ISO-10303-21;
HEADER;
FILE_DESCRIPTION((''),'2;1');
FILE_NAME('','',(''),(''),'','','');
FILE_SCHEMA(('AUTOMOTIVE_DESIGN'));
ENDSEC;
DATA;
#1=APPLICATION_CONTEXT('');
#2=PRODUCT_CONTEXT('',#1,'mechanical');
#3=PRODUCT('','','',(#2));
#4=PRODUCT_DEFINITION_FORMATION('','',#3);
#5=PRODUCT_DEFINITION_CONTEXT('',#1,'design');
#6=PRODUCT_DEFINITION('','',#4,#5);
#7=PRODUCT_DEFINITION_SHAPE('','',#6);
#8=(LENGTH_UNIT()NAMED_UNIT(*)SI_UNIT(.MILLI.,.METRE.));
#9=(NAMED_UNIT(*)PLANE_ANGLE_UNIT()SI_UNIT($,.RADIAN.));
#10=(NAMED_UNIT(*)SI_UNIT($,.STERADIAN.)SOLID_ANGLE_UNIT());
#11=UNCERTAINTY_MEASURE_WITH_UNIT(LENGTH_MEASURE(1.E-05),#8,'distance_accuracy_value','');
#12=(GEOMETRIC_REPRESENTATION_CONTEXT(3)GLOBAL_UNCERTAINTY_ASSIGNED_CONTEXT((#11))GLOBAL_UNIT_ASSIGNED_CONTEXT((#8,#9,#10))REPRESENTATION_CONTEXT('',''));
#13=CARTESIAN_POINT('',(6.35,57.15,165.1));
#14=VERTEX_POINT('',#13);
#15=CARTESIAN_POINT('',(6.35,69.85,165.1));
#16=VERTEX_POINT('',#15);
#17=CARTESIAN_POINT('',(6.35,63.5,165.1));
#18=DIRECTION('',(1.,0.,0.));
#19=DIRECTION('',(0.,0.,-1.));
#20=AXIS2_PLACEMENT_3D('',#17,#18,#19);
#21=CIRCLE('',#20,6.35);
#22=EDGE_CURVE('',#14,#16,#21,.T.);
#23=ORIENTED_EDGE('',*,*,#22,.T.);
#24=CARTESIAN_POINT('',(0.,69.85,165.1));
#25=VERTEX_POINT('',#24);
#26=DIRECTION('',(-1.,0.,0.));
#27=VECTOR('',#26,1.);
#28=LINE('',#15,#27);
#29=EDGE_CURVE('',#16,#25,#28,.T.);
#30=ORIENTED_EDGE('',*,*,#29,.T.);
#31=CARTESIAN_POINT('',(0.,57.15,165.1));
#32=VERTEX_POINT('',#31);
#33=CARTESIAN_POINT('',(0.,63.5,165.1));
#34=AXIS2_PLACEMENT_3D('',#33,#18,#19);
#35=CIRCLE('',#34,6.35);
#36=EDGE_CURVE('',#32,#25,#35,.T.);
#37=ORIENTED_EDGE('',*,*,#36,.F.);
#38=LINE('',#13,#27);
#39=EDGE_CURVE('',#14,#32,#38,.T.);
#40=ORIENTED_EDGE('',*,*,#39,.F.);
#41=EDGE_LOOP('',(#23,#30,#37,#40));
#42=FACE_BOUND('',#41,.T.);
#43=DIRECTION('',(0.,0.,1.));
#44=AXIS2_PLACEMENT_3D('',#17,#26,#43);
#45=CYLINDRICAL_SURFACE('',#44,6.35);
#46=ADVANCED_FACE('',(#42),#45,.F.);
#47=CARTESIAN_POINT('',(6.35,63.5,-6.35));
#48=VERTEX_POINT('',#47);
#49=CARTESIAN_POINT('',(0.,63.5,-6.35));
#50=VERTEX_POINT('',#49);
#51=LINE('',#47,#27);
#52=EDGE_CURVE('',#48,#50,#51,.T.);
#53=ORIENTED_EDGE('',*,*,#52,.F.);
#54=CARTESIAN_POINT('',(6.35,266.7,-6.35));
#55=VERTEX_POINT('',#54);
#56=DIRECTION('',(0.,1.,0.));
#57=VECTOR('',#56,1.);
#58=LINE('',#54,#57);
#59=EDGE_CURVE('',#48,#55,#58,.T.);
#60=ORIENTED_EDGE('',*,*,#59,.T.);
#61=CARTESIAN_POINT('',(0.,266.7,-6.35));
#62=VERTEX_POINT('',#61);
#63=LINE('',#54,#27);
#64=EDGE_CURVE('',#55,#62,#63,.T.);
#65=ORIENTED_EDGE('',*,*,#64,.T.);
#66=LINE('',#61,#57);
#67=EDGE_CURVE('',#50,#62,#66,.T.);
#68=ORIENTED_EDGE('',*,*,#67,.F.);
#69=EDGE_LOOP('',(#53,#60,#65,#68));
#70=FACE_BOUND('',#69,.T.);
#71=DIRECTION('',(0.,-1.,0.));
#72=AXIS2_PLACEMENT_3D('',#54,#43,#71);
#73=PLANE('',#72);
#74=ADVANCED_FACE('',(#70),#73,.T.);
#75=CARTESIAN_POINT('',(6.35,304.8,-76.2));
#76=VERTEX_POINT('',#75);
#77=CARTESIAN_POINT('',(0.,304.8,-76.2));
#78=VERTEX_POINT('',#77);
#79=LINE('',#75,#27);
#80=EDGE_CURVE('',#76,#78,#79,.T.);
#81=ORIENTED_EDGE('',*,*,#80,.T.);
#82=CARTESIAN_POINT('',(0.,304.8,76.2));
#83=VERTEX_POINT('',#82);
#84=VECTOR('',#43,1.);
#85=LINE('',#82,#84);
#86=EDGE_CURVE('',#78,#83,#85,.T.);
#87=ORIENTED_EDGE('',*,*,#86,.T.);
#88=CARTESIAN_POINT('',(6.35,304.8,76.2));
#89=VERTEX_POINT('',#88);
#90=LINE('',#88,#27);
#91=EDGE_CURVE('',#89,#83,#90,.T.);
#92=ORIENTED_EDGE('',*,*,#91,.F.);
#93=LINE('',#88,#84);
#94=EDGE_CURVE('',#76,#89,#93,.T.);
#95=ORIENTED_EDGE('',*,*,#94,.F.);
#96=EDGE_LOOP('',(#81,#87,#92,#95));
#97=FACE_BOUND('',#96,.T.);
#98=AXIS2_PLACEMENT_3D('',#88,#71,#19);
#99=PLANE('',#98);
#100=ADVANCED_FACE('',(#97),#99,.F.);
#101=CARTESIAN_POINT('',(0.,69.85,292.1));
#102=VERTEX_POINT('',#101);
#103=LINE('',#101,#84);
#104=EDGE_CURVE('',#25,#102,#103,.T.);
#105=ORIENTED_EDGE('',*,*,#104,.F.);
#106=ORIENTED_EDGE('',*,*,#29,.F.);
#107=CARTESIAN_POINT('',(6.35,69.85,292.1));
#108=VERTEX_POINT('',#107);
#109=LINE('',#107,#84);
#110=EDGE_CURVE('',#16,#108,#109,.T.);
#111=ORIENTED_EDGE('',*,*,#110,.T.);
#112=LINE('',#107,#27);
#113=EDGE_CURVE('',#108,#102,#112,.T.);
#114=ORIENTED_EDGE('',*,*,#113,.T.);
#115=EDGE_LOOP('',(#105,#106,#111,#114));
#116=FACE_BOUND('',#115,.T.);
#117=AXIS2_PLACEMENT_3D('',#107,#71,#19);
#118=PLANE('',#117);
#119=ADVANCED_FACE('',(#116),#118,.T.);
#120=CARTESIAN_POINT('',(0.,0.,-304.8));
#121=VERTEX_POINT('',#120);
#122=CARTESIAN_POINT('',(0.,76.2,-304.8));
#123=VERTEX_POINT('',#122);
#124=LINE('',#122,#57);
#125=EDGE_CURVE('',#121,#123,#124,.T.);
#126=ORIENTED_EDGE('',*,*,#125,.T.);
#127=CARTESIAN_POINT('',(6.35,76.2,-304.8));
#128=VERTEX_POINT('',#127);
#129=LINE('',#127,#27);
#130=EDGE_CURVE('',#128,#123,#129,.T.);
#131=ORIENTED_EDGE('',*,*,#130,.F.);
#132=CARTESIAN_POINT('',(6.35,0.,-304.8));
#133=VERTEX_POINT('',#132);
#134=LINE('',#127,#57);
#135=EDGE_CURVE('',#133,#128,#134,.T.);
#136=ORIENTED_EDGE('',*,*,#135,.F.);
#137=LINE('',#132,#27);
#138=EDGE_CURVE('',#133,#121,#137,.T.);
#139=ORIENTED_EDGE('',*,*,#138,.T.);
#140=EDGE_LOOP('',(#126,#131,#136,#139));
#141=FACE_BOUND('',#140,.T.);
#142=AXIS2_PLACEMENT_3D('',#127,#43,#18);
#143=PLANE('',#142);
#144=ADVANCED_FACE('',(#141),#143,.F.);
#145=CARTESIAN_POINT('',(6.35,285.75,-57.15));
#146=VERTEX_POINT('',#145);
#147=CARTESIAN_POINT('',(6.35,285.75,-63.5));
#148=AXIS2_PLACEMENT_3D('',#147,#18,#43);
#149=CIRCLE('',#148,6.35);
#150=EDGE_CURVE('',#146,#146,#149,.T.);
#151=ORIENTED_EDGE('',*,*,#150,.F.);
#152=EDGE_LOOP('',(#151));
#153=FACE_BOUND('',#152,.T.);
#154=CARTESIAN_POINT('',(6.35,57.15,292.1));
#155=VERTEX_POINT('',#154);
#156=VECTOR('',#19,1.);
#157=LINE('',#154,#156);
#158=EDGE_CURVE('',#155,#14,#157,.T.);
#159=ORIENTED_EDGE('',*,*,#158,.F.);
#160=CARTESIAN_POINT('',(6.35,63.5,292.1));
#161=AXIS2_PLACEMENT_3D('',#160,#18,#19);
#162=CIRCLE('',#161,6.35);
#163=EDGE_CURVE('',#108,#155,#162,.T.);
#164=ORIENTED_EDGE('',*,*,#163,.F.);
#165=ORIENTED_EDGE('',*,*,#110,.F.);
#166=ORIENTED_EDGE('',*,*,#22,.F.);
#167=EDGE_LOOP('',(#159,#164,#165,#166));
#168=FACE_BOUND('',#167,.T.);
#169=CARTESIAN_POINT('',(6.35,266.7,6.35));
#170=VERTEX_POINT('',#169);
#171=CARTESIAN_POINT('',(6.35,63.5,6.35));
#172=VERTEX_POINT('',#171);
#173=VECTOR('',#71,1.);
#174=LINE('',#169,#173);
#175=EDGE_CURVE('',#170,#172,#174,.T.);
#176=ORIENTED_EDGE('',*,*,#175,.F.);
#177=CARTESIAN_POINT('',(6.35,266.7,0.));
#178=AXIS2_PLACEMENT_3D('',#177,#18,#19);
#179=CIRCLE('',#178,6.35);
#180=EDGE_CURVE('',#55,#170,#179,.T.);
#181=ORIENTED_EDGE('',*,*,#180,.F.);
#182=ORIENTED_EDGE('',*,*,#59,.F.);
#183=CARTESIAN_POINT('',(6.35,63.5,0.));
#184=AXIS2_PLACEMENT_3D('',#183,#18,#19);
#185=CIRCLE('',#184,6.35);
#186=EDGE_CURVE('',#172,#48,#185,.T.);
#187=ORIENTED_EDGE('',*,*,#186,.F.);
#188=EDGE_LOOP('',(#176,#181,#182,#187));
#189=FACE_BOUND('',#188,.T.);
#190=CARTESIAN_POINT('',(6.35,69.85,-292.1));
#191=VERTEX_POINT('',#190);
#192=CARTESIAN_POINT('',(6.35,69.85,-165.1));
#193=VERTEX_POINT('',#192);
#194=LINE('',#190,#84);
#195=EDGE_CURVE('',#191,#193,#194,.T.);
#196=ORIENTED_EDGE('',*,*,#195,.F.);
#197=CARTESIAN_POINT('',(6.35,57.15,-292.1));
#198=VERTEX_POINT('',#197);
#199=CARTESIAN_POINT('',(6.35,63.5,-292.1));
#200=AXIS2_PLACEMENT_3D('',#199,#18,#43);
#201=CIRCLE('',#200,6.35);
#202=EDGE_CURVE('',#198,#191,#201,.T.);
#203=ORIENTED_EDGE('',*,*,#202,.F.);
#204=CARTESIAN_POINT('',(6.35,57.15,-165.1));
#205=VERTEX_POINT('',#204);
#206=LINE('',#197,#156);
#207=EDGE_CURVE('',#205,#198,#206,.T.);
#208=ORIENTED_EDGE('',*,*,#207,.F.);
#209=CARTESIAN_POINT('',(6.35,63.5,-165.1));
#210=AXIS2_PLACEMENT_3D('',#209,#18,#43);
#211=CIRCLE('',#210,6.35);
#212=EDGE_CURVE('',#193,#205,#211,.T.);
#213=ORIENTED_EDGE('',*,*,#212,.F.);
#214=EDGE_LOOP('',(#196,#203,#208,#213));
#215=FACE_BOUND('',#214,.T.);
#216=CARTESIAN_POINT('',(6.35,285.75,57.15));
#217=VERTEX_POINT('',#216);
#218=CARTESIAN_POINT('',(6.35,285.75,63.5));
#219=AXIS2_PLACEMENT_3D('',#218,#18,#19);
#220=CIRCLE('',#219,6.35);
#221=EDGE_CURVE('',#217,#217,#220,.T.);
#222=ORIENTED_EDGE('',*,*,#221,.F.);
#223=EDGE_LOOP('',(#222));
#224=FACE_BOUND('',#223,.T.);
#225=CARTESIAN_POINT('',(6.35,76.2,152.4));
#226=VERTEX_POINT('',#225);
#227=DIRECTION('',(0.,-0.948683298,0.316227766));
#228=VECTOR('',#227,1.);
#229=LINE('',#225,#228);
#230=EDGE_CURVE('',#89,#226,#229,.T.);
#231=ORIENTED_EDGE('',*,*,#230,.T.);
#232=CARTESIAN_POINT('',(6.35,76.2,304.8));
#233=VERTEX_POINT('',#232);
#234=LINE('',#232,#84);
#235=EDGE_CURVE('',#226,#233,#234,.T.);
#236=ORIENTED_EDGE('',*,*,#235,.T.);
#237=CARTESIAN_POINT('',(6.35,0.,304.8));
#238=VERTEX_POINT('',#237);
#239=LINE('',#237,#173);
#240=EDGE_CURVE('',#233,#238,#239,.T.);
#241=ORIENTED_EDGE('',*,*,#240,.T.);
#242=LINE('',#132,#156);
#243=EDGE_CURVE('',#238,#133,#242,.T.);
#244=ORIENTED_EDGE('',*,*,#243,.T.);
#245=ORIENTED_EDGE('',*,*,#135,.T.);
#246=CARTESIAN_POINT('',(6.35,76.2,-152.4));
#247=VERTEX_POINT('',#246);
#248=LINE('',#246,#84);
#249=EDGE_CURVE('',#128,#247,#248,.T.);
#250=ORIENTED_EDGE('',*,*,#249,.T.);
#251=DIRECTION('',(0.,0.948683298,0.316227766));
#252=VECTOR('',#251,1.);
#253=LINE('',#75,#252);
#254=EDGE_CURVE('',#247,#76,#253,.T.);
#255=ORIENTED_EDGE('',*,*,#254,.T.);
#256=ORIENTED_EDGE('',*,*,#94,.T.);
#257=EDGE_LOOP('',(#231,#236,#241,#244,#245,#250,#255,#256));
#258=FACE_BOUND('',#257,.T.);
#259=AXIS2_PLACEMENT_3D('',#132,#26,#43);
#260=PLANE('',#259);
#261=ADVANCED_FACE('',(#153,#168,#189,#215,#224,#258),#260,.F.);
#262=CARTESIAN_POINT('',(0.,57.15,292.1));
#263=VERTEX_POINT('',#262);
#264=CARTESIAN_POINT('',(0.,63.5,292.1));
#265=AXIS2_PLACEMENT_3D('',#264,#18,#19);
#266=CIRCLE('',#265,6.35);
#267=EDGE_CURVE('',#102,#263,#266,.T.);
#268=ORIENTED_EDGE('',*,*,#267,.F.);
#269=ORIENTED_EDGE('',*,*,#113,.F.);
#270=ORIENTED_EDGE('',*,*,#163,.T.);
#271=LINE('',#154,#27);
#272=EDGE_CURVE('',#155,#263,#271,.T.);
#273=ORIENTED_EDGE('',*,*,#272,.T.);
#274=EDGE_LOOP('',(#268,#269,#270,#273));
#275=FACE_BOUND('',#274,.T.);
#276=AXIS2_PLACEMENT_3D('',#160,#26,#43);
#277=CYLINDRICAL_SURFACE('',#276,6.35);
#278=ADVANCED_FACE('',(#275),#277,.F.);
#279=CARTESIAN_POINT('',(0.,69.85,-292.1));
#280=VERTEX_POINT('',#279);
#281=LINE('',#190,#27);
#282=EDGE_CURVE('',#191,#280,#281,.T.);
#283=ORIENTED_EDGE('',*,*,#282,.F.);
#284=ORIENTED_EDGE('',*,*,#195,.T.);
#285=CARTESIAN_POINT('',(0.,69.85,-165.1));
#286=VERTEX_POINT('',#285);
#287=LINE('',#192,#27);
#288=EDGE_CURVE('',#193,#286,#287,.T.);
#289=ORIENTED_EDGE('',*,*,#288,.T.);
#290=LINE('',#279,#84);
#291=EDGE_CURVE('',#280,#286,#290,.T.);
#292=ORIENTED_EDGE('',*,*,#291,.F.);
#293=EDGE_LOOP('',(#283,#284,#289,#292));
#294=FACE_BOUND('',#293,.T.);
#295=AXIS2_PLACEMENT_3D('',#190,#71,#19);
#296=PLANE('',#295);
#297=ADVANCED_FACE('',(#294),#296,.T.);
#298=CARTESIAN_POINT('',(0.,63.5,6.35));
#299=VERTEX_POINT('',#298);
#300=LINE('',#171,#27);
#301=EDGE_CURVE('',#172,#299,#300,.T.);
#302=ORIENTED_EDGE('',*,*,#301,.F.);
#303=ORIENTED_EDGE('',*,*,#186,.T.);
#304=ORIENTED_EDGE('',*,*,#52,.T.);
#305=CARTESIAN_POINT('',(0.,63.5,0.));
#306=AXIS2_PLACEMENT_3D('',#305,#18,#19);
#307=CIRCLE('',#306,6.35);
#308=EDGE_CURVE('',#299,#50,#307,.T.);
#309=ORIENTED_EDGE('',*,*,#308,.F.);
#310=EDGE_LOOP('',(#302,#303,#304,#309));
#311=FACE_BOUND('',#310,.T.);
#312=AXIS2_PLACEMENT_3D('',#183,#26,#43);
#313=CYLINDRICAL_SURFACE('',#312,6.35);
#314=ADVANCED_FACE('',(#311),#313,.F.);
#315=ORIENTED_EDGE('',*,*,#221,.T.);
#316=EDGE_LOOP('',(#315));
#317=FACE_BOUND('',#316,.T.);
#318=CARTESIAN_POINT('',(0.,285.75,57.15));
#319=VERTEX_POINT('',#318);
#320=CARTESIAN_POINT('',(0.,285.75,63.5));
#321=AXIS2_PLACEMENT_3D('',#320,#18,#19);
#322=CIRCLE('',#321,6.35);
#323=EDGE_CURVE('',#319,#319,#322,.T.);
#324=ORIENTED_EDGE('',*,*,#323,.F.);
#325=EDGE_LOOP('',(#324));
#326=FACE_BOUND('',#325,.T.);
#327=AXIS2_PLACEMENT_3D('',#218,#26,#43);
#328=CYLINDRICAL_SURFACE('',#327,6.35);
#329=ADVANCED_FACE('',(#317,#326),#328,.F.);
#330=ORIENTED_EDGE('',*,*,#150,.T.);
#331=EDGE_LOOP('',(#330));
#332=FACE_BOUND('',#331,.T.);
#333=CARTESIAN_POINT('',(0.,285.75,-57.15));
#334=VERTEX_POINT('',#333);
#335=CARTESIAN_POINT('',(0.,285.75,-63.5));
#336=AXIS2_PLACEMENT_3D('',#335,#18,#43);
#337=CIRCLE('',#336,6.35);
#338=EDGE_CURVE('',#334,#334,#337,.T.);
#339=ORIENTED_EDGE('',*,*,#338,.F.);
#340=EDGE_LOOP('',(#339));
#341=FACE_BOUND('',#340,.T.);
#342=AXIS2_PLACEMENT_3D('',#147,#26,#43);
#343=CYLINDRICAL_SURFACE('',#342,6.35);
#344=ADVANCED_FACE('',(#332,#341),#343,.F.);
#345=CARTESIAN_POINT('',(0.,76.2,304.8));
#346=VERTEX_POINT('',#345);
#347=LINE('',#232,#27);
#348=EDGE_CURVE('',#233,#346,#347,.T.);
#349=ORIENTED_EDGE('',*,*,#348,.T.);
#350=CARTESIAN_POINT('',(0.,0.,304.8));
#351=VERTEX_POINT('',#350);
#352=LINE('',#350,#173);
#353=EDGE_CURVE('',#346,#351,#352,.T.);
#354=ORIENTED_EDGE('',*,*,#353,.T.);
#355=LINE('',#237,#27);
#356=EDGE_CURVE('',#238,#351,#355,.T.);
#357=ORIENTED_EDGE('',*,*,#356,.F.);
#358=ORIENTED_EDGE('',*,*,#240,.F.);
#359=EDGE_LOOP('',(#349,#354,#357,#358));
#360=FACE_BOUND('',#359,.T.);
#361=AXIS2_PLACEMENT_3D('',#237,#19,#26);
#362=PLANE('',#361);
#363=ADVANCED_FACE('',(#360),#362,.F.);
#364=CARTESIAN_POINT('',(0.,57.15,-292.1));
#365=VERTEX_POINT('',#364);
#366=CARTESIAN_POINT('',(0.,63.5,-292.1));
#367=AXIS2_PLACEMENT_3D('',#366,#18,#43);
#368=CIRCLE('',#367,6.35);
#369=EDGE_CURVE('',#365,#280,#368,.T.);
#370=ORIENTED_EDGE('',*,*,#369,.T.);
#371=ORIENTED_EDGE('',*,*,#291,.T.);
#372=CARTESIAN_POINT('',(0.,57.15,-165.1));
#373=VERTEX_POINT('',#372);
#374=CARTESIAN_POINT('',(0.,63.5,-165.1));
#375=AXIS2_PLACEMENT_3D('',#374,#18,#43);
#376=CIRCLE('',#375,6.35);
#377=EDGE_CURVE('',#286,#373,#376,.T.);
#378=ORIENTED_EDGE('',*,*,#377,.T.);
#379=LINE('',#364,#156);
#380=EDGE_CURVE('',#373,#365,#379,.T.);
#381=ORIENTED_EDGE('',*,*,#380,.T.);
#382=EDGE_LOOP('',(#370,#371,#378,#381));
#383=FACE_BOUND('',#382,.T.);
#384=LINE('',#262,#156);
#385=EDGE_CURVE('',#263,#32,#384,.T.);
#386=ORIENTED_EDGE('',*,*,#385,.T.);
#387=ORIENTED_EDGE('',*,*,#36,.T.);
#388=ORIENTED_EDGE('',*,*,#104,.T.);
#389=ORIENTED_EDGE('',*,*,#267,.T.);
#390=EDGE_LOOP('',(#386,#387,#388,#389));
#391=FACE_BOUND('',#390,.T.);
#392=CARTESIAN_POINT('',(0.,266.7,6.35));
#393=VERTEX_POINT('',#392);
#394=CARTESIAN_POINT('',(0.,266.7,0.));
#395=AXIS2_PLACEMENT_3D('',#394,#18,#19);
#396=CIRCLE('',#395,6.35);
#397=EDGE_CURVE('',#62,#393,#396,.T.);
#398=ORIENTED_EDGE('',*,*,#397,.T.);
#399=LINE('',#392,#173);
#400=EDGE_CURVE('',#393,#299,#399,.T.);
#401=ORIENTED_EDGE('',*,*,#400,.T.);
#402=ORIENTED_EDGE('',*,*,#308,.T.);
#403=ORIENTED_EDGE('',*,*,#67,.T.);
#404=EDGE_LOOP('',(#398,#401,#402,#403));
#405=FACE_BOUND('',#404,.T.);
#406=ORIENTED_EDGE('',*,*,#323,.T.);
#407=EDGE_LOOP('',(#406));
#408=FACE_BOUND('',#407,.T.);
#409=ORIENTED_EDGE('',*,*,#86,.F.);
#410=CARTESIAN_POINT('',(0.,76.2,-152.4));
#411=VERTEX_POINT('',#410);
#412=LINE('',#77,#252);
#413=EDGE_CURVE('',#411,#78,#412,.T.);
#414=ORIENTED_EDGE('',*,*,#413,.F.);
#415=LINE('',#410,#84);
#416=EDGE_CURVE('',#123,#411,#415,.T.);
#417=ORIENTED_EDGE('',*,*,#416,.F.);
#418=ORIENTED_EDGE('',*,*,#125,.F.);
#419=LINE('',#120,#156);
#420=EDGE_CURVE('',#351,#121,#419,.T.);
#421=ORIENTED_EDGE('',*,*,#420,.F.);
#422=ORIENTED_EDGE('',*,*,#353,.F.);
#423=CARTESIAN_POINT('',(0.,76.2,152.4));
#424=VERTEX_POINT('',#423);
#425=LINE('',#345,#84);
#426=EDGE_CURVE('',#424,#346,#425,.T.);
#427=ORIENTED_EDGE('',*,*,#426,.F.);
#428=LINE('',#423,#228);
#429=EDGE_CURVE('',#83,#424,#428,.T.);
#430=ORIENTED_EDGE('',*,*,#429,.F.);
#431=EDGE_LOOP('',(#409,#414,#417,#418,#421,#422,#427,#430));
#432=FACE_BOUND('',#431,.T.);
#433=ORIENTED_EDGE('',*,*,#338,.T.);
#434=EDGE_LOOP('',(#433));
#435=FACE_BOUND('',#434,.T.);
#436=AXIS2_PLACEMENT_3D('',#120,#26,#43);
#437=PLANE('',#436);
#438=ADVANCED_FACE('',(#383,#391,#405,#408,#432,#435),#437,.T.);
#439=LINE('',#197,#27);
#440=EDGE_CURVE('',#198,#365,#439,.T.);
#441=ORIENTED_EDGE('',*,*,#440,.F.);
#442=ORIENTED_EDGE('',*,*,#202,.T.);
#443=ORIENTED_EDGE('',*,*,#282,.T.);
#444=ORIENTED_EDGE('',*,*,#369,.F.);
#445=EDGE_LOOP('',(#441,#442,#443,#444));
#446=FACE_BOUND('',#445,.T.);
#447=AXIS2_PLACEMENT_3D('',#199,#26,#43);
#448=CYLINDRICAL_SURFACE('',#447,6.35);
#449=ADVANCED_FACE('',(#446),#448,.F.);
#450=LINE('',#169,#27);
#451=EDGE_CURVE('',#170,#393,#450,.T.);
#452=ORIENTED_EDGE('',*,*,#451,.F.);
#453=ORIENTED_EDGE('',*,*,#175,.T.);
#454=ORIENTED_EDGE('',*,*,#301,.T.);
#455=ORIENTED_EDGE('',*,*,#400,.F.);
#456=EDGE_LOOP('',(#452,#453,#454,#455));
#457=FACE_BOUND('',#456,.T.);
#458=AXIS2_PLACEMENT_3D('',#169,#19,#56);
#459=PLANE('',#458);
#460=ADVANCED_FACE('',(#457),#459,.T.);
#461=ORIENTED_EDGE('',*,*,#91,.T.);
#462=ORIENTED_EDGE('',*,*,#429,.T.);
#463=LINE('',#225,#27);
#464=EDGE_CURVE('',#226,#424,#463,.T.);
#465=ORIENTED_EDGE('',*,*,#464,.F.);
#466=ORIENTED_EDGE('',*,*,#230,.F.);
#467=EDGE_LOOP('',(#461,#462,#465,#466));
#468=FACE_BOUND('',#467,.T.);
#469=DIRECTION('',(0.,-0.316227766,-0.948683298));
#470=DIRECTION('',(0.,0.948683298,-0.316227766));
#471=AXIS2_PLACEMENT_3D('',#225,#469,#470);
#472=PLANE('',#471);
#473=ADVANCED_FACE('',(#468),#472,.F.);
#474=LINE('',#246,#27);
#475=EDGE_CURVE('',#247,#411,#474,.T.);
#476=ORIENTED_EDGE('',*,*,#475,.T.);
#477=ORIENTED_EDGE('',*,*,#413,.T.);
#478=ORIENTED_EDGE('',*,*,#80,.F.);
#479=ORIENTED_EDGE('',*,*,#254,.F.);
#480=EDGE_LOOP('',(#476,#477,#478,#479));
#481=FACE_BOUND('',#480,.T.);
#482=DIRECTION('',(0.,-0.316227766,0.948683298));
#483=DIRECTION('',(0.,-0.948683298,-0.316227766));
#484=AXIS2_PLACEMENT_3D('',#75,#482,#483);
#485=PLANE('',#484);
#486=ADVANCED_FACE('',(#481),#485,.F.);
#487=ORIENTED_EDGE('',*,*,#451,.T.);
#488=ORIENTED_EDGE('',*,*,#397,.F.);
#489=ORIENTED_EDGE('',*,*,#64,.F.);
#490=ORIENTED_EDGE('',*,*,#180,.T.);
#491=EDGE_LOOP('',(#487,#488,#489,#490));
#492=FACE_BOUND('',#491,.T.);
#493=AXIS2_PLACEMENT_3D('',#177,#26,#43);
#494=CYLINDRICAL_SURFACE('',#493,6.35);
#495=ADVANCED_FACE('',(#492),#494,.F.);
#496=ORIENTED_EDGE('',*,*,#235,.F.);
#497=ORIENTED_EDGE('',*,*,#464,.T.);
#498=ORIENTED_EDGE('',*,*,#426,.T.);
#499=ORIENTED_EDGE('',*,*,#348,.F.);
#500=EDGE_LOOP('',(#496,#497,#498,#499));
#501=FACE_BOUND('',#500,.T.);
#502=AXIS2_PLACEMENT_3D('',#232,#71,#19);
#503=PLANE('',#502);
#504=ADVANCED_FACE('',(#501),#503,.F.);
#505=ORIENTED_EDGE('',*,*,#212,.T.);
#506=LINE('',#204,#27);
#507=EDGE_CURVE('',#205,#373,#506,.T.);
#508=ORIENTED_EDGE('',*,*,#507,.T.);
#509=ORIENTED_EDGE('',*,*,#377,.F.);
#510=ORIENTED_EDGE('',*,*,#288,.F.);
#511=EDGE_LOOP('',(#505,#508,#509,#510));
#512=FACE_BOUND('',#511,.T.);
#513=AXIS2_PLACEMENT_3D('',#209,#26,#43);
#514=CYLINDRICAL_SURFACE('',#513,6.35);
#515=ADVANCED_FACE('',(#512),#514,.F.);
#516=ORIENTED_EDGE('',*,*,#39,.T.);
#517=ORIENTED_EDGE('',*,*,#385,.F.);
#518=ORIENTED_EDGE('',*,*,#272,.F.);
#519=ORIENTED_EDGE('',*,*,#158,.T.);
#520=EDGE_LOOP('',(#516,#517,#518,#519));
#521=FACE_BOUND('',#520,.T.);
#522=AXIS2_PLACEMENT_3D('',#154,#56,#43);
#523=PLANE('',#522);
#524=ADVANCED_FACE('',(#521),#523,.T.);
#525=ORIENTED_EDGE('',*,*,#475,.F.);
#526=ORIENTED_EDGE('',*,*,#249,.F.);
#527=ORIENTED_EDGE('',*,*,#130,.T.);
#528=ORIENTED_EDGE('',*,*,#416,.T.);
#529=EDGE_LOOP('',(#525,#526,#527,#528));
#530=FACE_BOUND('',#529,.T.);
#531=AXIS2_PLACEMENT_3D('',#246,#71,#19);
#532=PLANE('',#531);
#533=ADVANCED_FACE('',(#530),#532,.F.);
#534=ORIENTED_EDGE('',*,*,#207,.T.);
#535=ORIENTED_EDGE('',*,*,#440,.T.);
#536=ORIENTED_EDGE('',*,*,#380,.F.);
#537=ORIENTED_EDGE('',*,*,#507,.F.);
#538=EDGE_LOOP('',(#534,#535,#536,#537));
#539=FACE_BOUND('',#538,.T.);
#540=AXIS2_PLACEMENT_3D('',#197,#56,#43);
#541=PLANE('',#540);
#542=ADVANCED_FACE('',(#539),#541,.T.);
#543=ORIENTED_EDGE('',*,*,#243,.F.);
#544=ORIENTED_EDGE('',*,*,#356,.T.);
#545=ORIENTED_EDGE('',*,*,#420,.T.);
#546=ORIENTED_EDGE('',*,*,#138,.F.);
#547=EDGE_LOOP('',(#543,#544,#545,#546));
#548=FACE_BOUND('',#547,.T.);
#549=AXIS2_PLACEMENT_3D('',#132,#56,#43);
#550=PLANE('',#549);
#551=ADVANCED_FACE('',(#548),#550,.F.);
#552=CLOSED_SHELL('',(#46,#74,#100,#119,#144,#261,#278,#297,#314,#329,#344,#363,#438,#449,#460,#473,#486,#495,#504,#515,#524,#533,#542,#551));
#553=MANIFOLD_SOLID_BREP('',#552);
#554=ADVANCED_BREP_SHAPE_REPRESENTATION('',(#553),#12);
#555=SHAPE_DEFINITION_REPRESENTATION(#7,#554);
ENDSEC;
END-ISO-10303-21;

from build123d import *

# Parameters (mm, degrees)
SKETCH1_R           = 6.35
BOSS_EXTRUDE1_DEPTH = 6.35


with BuildPart() as part:
    # Sketch1 → Boss-Extrude1 (new body)
    with BuildSketch(Plane(origin=(0, 0, 0), x_dir=(0, 0, -1), z_dir=(1, 0, 0))):
        Polygon((304.8, 0), (-304.8, 0), (-304.8, 76.2), (-152.4, 76.2), (-76.2, 304.8), (76.2, 304.8), (152.4, 76.2), (304.8, 76.2), align=None)
        with Locations((-63.5, 285.75)):
            Circle(SKETCH1_R, mode=Mode.SUBTRACT)
        with Locations(Location((63.5, 285.75, 0), (0, 0, 180))):
            Circle(SKETCH1_R, mode=Mode.SUBTRACT)
        with BuildLine():
            Line((-292.1, 69.85), (-165.1, 69.85))
            ThreePointArc((-165.1, 69.85), (-158.75, 63.5), (-165.1, 57.15))
            Line((-165.1, 57.15), (-292.1, 57.15))
            ThreePointArc((-292.1, 57.15), (-298.45, 63.5), (-292.1, 69.85))
        make_face(mode=Mode.SUBTRACT)
        with BuildLine():
            Line((292.1, 69.85), (165.1, 69.85))
            ThreePointArc((165.1, 69.85), (158.75, 63.5), (165.1, 57.15))
            Line((165.1, 57.15), (292.1, 57.15))
            ThreePointArc((292.1, 57.15), (298.45, 63.5), (292.1, 69.85))
        make_face(mode=Mode.SUBTRACT)
        with BuildLine():
            Line((6.35, 266.7), (6.35, 63.5))
            ThreePointArc((6.35, 63.5), (0, 57.15), (-6.35, 63.5))
            Line((-6.35, 63.5), (-6.35, 266.7))
            ThreePointArc((-6.35, 266.7), (0, 273.05), (6.35, 266.7))
        make_face(mode=Mode.SUBTRACT)
    extrude(amount=BOSS_EXTRUDE1_DEPTH)


solid = part.part
